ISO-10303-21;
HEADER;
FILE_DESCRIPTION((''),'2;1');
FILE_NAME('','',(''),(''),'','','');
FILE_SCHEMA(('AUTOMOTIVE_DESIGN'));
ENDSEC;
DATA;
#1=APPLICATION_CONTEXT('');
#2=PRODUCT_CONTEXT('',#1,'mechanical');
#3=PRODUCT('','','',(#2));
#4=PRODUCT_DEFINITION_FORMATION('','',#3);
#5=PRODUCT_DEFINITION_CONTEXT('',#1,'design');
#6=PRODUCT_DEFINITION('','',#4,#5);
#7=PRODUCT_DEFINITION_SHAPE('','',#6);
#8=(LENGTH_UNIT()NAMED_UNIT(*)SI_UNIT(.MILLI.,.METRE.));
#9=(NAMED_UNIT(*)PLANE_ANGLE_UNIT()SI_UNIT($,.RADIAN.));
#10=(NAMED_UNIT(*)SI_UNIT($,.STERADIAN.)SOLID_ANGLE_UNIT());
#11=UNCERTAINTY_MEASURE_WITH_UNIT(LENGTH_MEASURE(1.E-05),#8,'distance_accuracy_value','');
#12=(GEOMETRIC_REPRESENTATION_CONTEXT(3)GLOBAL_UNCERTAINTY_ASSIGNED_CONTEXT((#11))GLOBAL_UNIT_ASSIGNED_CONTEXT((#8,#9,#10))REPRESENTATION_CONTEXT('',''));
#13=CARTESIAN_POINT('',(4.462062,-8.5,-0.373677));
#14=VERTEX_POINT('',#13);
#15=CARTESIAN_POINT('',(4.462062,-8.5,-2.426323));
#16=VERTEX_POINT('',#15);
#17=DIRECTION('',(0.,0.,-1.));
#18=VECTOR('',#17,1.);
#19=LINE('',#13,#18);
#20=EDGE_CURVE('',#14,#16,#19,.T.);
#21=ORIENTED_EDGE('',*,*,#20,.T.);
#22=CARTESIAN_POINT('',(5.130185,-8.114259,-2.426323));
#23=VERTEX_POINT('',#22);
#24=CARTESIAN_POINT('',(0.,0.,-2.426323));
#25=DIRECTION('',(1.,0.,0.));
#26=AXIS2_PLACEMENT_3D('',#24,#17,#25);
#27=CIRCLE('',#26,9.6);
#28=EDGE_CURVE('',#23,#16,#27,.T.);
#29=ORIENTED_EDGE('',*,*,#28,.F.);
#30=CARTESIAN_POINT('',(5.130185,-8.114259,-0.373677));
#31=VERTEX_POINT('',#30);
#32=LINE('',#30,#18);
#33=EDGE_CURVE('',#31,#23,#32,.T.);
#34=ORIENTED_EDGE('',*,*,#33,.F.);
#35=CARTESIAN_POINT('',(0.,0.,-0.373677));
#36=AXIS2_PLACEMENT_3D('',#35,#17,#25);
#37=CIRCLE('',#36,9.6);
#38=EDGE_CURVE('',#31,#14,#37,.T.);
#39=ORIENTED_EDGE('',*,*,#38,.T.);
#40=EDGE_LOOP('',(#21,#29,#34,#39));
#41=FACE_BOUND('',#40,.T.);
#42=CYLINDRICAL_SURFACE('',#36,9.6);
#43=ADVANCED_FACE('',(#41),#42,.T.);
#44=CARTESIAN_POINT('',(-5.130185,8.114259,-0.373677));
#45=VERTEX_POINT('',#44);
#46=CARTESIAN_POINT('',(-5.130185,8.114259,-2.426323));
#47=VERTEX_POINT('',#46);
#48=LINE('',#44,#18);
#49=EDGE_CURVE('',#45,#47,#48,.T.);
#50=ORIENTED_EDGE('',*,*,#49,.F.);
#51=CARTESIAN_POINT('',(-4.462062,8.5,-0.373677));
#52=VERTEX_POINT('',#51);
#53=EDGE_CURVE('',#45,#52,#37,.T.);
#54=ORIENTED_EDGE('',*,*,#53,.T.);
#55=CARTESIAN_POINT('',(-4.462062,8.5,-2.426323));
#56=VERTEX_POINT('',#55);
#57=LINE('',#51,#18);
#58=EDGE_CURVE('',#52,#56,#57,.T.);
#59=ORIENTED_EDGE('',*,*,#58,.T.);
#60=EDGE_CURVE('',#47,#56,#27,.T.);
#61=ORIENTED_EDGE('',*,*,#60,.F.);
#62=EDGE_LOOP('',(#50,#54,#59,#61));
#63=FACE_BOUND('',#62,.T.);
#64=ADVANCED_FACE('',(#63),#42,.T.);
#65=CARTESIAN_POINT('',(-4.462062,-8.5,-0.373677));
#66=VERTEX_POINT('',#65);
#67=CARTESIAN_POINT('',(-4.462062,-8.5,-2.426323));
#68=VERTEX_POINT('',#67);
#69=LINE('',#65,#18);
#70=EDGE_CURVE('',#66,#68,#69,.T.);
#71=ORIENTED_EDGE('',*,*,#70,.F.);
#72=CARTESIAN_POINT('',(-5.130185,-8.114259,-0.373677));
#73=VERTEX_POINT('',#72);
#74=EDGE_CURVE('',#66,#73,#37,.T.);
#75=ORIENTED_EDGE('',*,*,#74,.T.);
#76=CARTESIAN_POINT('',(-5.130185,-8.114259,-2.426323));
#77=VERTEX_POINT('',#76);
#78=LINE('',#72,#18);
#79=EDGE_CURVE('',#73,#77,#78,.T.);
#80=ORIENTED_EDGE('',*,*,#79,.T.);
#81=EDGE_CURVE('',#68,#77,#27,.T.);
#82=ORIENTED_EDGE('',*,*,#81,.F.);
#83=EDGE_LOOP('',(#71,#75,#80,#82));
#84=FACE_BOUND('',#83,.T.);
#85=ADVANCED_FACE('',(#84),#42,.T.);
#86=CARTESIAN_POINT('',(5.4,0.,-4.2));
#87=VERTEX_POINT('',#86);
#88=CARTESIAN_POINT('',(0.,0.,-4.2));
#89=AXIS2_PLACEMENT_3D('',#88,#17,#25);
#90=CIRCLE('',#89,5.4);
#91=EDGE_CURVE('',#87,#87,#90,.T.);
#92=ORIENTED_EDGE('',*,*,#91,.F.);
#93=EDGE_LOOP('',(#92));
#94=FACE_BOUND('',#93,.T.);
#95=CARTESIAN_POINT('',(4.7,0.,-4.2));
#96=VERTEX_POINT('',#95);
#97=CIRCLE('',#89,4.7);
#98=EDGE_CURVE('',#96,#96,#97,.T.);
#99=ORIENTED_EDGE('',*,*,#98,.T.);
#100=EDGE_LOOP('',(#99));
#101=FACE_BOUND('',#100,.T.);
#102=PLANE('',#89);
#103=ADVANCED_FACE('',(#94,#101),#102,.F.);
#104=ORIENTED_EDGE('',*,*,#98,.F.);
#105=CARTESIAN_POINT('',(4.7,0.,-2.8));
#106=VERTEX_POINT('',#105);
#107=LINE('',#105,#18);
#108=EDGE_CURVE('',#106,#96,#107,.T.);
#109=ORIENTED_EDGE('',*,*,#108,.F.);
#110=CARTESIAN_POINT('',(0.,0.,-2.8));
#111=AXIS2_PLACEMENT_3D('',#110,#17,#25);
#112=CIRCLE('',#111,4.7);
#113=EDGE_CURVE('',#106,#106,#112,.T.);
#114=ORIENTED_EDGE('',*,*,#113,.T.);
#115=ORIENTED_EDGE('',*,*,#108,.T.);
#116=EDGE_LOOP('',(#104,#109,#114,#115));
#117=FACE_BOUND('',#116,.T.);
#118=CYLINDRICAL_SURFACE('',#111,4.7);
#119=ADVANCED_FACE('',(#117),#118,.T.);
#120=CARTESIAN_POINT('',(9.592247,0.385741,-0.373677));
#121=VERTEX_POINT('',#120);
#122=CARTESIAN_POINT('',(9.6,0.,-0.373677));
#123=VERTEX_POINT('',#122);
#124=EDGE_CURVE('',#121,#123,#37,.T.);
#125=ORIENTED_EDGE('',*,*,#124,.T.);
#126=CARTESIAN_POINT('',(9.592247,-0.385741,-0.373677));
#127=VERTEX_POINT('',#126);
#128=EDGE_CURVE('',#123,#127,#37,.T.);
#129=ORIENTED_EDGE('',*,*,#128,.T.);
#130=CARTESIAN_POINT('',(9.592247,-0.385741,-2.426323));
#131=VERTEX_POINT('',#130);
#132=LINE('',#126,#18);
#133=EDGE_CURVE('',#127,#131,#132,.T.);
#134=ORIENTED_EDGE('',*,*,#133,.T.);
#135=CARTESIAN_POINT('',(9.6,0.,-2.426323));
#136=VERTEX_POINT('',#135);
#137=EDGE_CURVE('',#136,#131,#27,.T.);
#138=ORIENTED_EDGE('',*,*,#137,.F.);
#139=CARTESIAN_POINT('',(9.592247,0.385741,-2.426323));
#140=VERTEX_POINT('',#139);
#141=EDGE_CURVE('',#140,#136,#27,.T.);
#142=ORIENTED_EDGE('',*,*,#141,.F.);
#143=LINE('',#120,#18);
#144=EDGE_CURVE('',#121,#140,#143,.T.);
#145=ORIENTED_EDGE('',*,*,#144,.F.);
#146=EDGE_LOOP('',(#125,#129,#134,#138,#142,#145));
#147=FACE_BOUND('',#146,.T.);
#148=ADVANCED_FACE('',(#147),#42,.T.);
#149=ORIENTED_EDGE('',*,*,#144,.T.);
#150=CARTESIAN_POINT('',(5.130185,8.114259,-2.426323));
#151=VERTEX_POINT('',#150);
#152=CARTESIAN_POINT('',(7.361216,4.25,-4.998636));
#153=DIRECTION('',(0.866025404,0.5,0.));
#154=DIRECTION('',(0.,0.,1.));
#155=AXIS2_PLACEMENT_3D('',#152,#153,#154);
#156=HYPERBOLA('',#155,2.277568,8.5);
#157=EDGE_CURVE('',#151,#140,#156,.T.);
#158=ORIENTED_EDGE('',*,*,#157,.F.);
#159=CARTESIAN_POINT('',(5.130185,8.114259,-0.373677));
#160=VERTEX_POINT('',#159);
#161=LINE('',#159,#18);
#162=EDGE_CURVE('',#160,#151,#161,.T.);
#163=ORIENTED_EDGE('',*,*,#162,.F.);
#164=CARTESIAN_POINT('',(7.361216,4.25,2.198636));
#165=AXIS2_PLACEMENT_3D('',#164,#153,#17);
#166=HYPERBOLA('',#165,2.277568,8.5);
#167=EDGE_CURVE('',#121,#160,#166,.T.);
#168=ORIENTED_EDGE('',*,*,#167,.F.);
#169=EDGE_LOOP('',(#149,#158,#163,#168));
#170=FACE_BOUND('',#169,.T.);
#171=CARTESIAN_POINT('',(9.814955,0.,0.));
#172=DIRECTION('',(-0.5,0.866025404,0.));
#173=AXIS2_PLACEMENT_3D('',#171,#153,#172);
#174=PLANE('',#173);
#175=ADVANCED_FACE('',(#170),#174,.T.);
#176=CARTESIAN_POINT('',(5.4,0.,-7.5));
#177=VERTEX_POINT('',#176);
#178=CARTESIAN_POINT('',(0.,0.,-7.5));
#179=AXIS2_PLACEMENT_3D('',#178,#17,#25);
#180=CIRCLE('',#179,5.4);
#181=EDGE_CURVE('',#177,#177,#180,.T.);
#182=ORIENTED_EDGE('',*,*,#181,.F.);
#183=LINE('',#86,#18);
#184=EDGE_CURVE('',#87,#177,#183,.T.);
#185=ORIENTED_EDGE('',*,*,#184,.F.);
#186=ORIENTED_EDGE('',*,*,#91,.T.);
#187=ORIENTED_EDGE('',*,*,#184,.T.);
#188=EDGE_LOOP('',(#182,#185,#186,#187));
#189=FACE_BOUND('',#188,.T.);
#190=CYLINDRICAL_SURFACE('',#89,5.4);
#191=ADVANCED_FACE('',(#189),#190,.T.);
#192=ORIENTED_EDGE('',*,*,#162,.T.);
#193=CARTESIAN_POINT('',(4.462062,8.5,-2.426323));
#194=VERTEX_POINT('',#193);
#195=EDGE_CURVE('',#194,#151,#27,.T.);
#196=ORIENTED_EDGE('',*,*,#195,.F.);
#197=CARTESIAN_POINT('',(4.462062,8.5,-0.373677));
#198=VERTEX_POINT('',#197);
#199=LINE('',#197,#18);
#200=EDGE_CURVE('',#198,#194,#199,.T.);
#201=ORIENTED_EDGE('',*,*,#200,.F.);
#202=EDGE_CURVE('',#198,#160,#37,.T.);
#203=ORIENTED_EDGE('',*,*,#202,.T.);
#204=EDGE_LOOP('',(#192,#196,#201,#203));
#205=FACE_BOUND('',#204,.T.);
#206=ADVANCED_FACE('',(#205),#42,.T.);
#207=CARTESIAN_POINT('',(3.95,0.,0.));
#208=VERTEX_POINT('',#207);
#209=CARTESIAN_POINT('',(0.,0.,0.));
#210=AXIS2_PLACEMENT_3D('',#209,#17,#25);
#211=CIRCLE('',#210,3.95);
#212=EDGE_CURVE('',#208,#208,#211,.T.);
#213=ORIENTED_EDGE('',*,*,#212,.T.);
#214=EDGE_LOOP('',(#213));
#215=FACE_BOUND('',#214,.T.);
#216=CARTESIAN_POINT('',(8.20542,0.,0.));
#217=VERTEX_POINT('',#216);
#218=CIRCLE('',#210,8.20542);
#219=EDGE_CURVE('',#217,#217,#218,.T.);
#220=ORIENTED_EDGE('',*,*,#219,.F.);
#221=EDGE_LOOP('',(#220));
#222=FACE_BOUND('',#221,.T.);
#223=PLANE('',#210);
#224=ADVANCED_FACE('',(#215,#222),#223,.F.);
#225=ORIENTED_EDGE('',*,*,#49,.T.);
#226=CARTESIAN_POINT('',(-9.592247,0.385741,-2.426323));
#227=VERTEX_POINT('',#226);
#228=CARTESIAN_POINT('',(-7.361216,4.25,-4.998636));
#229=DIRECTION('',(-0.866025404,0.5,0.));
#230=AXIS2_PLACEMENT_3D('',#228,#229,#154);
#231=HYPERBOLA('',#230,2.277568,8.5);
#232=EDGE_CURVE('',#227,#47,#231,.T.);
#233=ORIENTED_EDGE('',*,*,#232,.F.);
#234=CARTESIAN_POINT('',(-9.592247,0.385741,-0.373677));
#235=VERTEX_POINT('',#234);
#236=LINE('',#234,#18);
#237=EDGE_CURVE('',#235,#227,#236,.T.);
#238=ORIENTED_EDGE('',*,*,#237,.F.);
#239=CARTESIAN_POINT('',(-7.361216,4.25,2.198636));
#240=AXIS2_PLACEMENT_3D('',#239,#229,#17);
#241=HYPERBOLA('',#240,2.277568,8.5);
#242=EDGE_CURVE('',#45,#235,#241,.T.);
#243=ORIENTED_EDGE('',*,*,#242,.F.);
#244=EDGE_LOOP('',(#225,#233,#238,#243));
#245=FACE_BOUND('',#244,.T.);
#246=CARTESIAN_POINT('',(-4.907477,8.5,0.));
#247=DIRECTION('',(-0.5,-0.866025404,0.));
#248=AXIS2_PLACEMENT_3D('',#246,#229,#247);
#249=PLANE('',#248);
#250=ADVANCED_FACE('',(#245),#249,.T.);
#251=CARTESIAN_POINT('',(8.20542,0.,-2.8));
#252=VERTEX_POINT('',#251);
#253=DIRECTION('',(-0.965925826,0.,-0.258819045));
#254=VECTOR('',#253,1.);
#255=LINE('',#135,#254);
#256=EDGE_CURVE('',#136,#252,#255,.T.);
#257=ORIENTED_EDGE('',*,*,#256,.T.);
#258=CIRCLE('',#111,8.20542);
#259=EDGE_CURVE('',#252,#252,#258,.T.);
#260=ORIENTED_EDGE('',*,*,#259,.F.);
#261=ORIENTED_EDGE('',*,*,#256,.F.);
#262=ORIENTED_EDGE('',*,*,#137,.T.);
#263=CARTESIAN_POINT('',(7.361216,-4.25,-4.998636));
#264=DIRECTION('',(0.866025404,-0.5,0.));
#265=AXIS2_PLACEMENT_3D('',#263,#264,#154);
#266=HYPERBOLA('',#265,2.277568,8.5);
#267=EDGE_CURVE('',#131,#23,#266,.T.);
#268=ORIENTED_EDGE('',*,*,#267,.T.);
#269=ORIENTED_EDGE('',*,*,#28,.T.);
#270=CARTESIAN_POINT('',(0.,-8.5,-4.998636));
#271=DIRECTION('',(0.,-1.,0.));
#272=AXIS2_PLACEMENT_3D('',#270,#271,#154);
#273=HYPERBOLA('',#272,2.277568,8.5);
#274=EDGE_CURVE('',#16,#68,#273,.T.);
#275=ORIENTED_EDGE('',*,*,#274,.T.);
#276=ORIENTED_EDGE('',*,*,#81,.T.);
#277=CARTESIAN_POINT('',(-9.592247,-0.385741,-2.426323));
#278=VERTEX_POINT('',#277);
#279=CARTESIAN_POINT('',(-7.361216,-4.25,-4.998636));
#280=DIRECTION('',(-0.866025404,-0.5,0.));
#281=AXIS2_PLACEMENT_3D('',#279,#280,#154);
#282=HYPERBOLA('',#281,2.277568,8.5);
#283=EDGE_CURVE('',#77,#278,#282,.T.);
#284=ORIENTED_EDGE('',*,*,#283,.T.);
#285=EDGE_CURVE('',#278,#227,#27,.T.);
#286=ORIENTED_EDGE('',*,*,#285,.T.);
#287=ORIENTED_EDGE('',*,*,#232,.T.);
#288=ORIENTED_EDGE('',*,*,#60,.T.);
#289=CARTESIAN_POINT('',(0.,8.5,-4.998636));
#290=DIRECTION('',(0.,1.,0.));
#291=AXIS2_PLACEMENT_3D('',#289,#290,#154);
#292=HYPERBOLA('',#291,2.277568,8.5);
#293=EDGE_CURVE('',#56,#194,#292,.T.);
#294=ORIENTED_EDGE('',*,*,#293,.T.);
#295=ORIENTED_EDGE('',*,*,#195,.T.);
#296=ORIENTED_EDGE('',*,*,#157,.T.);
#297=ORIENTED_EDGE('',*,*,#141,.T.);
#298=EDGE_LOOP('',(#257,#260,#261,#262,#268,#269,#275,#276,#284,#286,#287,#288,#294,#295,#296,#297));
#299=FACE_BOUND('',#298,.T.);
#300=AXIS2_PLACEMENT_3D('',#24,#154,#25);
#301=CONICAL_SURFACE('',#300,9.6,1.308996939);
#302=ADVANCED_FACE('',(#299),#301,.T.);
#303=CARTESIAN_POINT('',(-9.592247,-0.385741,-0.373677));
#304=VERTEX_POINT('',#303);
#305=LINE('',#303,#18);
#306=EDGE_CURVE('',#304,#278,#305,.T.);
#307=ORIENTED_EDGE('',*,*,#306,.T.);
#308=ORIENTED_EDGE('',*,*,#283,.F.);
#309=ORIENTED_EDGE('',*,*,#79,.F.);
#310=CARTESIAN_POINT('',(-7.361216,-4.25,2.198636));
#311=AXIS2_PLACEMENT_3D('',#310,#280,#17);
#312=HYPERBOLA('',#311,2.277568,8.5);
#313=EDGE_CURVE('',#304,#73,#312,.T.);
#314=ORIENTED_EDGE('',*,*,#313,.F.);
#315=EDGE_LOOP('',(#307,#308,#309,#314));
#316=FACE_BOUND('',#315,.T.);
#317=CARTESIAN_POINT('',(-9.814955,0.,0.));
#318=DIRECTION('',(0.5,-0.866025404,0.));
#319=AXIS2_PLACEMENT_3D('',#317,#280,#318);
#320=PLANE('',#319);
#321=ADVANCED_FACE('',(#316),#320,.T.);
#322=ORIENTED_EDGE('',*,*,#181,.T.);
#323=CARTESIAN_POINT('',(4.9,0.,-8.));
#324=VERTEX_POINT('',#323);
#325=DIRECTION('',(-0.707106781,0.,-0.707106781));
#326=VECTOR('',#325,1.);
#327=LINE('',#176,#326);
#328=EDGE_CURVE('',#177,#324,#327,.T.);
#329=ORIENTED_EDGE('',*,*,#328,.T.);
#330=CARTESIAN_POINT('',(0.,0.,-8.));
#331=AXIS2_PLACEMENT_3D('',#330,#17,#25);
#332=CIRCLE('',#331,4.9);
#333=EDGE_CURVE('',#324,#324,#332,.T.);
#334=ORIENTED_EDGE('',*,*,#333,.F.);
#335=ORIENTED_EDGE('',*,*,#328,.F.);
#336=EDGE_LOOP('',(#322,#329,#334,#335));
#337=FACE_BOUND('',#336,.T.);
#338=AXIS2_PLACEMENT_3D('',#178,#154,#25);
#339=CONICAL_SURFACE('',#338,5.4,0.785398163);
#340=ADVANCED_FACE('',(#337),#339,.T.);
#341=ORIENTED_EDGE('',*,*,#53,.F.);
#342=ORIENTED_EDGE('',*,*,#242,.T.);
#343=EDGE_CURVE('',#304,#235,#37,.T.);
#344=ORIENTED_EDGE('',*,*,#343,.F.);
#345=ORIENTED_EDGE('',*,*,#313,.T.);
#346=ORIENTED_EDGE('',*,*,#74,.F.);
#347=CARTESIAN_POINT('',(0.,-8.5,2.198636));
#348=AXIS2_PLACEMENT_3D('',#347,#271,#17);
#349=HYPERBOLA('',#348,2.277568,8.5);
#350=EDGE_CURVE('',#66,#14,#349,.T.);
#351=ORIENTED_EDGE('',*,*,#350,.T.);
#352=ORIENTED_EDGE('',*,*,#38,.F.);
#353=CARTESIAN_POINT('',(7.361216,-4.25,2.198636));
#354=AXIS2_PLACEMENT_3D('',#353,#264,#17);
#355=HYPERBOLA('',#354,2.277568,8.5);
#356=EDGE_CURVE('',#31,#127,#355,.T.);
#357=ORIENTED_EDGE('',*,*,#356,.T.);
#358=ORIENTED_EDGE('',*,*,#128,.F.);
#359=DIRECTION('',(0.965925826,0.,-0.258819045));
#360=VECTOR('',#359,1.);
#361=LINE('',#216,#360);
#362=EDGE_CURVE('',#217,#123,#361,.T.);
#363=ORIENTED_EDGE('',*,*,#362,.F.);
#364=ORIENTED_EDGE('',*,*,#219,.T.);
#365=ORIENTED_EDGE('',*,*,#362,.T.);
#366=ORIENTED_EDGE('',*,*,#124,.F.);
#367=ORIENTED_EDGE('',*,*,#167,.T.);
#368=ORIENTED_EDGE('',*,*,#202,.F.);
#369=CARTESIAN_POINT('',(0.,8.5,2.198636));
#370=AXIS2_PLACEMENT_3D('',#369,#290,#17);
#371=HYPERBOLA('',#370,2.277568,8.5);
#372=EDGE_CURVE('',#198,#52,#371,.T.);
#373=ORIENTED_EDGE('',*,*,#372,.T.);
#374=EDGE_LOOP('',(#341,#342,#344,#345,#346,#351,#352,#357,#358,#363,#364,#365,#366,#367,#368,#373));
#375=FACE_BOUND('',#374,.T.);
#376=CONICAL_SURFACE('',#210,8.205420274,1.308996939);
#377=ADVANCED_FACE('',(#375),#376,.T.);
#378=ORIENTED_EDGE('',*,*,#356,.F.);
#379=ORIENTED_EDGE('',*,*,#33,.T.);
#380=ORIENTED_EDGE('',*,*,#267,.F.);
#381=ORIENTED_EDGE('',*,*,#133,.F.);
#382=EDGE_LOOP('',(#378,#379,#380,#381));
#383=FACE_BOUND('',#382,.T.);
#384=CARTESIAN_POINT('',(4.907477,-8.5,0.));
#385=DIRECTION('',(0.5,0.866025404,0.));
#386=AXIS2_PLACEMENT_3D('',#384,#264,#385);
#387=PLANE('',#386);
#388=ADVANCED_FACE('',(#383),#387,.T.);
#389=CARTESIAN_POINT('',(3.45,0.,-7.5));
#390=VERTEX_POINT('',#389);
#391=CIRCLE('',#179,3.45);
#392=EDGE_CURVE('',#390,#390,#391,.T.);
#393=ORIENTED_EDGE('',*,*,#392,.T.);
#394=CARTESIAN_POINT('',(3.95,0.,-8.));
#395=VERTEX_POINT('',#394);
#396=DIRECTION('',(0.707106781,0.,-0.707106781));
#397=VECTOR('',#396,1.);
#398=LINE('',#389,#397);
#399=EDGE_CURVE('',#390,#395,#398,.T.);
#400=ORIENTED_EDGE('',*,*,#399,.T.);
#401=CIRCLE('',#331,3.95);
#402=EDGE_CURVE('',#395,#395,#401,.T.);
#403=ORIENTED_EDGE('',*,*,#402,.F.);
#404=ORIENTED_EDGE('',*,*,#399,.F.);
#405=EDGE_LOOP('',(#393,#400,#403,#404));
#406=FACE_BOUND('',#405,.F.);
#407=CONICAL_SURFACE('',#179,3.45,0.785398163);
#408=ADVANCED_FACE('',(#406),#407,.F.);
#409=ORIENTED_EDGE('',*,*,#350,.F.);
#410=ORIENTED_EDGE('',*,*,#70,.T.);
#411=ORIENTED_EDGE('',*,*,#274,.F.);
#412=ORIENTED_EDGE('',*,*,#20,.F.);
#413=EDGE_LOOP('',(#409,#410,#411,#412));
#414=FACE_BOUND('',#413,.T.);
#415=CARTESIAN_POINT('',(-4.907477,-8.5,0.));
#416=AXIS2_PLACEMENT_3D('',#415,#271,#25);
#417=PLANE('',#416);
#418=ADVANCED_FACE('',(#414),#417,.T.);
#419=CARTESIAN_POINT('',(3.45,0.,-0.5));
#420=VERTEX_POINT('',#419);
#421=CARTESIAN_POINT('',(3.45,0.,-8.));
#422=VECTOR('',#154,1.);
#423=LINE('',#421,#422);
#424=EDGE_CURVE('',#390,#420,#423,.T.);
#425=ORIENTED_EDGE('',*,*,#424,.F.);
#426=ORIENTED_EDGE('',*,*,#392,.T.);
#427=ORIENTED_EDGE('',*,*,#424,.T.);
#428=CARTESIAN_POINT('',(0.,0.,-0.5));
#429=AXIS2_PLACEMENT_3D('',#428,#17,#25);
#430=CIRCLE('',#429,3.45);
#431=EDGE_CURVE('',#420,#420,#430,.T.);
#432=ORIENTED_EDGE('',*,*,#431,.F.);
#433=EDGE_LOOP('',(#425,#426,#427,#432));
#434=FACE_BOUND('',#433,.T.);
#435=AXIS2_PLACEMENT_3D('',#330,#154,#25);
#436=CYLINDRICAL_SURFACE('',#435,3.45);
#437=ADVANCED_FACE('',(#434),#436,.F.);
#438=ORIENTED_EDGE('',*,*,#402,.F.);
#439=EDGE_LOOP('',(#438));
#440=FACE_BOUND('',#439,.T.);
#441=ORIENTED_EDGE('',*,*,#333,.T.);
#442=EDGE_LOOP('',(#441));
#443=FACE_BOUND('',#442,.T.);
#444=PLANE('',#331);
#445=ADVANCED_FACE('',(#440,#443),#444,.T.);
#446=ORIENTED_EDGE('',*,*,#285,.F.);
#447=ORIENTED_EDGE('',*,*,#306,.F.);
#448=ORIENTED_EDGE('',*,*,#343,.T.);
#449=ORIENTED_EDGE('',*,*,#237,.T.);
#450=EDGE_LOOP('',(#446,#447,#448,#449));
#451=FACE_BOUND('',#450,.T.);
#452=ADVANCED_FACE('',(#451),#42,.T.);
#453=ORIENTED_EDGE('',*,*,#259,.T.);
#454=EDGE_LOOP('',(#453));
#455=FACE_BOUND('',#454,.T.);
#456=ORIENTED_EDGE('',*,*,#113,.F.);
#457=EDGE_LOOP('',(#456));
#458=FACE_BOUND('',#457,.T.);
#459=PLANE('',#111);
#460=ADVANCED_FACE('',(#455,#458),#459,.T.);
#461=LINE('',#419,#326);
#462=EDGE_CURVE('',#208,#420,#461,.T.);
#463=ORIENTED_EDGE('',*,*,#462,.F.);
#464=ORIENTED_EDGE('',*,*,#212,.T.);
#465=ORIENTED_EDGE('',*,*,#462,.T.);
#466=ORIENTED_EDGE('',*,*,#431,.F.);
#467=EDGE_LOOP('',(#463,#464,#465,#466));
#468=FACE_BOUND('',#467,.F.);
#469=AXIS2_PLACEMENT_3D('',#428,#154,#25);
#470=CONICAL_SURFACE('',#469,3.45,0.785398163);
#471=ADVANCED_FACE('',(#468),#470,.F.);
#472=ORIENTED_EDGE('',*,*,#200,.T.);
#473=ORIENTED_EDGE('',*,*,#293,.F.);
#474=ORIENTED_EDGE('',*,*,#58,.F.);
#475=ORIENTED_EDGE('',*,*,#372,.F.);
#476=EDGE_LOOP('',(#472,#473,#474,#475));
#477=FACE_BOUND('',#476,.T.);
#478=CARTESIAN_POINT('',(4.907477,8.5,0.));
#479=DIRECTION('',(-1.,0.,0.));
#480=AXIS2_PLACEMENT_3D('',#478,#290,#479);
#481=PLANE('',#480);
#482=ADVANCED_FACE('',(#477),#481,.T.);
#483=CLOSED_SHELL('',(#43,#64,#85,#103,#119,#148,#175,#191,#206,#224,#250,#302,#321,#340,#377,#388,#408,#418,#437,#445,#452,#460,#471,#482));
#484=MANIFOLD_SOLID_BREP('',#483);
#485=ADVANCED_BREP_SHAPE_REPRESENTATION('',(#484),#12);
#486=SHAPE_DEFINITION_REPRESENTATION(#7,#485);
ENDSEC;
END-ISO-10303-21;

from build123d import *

# Parameters (mm, degrees)
SKETCH2_OUTSIDE_W  = 26.862
SKETCH2_OUTSIDE_H  = 26.862
CUT_EXTRUDE1_DEPTH = 10
CHAMFER1_SIZE      = 0.5


with BuildPart() as part:
    # Sketch1 → Revolve1 (revolve)
    with BuildSketch(Plane(origin=(0, 0, 0), x_dir=(0, 0, -1), z_dir=(1, 0, 0)), mode=Mode.PRIVATE) as revolve1_sk:
        Polygon((0, 3.45), (0, 8.205420274), (0.373676511, 9.6), (2.426323489, 9.6), (2.8, 8.205420274), (2.8, 4.7), (4.2, 4.7), (4.2, 5.4), (7.5, 5.4), (8, 4.9), (8, 3.45), align=None)
    revolve(revolve1_sk.sketch.rotate(Axis((0, 0, 0), (0, 0, -1)), 90), axis=Axis((0, 0, 0), (0, 0, -1)))

    # Sketch2 outside → Cut-Extrude1 (cut)
    with BuildSketch(Plane.XY):
        Rectangle(SKETCH2_OUTSIDE_W, SKETCH2_OUTSIDE_H)
        Polygon((9.814954576, 0), (4.907477288, 8.5), (-4.907477288, 8.5), (-9.814954576, 0), (-4.907477288, -8.5), (4.907477288, -8.5), align=None, mode=Mode.SUBTRACT)
    extrude(amount=-CUT_EXTRUDE1_DEPTH, mode=Mode.SUBTRACT)

    # Chamfer1
    chamfer1_edges = [part.edges().sort_by_distance(p)[0] for p in [
        (-3.45, 0, 0),
        (-3.45, 0, -8),
    ]]
    chamfer(chamfer1_edges, length=CHAMFER1_SIZE)


solid = part.part
